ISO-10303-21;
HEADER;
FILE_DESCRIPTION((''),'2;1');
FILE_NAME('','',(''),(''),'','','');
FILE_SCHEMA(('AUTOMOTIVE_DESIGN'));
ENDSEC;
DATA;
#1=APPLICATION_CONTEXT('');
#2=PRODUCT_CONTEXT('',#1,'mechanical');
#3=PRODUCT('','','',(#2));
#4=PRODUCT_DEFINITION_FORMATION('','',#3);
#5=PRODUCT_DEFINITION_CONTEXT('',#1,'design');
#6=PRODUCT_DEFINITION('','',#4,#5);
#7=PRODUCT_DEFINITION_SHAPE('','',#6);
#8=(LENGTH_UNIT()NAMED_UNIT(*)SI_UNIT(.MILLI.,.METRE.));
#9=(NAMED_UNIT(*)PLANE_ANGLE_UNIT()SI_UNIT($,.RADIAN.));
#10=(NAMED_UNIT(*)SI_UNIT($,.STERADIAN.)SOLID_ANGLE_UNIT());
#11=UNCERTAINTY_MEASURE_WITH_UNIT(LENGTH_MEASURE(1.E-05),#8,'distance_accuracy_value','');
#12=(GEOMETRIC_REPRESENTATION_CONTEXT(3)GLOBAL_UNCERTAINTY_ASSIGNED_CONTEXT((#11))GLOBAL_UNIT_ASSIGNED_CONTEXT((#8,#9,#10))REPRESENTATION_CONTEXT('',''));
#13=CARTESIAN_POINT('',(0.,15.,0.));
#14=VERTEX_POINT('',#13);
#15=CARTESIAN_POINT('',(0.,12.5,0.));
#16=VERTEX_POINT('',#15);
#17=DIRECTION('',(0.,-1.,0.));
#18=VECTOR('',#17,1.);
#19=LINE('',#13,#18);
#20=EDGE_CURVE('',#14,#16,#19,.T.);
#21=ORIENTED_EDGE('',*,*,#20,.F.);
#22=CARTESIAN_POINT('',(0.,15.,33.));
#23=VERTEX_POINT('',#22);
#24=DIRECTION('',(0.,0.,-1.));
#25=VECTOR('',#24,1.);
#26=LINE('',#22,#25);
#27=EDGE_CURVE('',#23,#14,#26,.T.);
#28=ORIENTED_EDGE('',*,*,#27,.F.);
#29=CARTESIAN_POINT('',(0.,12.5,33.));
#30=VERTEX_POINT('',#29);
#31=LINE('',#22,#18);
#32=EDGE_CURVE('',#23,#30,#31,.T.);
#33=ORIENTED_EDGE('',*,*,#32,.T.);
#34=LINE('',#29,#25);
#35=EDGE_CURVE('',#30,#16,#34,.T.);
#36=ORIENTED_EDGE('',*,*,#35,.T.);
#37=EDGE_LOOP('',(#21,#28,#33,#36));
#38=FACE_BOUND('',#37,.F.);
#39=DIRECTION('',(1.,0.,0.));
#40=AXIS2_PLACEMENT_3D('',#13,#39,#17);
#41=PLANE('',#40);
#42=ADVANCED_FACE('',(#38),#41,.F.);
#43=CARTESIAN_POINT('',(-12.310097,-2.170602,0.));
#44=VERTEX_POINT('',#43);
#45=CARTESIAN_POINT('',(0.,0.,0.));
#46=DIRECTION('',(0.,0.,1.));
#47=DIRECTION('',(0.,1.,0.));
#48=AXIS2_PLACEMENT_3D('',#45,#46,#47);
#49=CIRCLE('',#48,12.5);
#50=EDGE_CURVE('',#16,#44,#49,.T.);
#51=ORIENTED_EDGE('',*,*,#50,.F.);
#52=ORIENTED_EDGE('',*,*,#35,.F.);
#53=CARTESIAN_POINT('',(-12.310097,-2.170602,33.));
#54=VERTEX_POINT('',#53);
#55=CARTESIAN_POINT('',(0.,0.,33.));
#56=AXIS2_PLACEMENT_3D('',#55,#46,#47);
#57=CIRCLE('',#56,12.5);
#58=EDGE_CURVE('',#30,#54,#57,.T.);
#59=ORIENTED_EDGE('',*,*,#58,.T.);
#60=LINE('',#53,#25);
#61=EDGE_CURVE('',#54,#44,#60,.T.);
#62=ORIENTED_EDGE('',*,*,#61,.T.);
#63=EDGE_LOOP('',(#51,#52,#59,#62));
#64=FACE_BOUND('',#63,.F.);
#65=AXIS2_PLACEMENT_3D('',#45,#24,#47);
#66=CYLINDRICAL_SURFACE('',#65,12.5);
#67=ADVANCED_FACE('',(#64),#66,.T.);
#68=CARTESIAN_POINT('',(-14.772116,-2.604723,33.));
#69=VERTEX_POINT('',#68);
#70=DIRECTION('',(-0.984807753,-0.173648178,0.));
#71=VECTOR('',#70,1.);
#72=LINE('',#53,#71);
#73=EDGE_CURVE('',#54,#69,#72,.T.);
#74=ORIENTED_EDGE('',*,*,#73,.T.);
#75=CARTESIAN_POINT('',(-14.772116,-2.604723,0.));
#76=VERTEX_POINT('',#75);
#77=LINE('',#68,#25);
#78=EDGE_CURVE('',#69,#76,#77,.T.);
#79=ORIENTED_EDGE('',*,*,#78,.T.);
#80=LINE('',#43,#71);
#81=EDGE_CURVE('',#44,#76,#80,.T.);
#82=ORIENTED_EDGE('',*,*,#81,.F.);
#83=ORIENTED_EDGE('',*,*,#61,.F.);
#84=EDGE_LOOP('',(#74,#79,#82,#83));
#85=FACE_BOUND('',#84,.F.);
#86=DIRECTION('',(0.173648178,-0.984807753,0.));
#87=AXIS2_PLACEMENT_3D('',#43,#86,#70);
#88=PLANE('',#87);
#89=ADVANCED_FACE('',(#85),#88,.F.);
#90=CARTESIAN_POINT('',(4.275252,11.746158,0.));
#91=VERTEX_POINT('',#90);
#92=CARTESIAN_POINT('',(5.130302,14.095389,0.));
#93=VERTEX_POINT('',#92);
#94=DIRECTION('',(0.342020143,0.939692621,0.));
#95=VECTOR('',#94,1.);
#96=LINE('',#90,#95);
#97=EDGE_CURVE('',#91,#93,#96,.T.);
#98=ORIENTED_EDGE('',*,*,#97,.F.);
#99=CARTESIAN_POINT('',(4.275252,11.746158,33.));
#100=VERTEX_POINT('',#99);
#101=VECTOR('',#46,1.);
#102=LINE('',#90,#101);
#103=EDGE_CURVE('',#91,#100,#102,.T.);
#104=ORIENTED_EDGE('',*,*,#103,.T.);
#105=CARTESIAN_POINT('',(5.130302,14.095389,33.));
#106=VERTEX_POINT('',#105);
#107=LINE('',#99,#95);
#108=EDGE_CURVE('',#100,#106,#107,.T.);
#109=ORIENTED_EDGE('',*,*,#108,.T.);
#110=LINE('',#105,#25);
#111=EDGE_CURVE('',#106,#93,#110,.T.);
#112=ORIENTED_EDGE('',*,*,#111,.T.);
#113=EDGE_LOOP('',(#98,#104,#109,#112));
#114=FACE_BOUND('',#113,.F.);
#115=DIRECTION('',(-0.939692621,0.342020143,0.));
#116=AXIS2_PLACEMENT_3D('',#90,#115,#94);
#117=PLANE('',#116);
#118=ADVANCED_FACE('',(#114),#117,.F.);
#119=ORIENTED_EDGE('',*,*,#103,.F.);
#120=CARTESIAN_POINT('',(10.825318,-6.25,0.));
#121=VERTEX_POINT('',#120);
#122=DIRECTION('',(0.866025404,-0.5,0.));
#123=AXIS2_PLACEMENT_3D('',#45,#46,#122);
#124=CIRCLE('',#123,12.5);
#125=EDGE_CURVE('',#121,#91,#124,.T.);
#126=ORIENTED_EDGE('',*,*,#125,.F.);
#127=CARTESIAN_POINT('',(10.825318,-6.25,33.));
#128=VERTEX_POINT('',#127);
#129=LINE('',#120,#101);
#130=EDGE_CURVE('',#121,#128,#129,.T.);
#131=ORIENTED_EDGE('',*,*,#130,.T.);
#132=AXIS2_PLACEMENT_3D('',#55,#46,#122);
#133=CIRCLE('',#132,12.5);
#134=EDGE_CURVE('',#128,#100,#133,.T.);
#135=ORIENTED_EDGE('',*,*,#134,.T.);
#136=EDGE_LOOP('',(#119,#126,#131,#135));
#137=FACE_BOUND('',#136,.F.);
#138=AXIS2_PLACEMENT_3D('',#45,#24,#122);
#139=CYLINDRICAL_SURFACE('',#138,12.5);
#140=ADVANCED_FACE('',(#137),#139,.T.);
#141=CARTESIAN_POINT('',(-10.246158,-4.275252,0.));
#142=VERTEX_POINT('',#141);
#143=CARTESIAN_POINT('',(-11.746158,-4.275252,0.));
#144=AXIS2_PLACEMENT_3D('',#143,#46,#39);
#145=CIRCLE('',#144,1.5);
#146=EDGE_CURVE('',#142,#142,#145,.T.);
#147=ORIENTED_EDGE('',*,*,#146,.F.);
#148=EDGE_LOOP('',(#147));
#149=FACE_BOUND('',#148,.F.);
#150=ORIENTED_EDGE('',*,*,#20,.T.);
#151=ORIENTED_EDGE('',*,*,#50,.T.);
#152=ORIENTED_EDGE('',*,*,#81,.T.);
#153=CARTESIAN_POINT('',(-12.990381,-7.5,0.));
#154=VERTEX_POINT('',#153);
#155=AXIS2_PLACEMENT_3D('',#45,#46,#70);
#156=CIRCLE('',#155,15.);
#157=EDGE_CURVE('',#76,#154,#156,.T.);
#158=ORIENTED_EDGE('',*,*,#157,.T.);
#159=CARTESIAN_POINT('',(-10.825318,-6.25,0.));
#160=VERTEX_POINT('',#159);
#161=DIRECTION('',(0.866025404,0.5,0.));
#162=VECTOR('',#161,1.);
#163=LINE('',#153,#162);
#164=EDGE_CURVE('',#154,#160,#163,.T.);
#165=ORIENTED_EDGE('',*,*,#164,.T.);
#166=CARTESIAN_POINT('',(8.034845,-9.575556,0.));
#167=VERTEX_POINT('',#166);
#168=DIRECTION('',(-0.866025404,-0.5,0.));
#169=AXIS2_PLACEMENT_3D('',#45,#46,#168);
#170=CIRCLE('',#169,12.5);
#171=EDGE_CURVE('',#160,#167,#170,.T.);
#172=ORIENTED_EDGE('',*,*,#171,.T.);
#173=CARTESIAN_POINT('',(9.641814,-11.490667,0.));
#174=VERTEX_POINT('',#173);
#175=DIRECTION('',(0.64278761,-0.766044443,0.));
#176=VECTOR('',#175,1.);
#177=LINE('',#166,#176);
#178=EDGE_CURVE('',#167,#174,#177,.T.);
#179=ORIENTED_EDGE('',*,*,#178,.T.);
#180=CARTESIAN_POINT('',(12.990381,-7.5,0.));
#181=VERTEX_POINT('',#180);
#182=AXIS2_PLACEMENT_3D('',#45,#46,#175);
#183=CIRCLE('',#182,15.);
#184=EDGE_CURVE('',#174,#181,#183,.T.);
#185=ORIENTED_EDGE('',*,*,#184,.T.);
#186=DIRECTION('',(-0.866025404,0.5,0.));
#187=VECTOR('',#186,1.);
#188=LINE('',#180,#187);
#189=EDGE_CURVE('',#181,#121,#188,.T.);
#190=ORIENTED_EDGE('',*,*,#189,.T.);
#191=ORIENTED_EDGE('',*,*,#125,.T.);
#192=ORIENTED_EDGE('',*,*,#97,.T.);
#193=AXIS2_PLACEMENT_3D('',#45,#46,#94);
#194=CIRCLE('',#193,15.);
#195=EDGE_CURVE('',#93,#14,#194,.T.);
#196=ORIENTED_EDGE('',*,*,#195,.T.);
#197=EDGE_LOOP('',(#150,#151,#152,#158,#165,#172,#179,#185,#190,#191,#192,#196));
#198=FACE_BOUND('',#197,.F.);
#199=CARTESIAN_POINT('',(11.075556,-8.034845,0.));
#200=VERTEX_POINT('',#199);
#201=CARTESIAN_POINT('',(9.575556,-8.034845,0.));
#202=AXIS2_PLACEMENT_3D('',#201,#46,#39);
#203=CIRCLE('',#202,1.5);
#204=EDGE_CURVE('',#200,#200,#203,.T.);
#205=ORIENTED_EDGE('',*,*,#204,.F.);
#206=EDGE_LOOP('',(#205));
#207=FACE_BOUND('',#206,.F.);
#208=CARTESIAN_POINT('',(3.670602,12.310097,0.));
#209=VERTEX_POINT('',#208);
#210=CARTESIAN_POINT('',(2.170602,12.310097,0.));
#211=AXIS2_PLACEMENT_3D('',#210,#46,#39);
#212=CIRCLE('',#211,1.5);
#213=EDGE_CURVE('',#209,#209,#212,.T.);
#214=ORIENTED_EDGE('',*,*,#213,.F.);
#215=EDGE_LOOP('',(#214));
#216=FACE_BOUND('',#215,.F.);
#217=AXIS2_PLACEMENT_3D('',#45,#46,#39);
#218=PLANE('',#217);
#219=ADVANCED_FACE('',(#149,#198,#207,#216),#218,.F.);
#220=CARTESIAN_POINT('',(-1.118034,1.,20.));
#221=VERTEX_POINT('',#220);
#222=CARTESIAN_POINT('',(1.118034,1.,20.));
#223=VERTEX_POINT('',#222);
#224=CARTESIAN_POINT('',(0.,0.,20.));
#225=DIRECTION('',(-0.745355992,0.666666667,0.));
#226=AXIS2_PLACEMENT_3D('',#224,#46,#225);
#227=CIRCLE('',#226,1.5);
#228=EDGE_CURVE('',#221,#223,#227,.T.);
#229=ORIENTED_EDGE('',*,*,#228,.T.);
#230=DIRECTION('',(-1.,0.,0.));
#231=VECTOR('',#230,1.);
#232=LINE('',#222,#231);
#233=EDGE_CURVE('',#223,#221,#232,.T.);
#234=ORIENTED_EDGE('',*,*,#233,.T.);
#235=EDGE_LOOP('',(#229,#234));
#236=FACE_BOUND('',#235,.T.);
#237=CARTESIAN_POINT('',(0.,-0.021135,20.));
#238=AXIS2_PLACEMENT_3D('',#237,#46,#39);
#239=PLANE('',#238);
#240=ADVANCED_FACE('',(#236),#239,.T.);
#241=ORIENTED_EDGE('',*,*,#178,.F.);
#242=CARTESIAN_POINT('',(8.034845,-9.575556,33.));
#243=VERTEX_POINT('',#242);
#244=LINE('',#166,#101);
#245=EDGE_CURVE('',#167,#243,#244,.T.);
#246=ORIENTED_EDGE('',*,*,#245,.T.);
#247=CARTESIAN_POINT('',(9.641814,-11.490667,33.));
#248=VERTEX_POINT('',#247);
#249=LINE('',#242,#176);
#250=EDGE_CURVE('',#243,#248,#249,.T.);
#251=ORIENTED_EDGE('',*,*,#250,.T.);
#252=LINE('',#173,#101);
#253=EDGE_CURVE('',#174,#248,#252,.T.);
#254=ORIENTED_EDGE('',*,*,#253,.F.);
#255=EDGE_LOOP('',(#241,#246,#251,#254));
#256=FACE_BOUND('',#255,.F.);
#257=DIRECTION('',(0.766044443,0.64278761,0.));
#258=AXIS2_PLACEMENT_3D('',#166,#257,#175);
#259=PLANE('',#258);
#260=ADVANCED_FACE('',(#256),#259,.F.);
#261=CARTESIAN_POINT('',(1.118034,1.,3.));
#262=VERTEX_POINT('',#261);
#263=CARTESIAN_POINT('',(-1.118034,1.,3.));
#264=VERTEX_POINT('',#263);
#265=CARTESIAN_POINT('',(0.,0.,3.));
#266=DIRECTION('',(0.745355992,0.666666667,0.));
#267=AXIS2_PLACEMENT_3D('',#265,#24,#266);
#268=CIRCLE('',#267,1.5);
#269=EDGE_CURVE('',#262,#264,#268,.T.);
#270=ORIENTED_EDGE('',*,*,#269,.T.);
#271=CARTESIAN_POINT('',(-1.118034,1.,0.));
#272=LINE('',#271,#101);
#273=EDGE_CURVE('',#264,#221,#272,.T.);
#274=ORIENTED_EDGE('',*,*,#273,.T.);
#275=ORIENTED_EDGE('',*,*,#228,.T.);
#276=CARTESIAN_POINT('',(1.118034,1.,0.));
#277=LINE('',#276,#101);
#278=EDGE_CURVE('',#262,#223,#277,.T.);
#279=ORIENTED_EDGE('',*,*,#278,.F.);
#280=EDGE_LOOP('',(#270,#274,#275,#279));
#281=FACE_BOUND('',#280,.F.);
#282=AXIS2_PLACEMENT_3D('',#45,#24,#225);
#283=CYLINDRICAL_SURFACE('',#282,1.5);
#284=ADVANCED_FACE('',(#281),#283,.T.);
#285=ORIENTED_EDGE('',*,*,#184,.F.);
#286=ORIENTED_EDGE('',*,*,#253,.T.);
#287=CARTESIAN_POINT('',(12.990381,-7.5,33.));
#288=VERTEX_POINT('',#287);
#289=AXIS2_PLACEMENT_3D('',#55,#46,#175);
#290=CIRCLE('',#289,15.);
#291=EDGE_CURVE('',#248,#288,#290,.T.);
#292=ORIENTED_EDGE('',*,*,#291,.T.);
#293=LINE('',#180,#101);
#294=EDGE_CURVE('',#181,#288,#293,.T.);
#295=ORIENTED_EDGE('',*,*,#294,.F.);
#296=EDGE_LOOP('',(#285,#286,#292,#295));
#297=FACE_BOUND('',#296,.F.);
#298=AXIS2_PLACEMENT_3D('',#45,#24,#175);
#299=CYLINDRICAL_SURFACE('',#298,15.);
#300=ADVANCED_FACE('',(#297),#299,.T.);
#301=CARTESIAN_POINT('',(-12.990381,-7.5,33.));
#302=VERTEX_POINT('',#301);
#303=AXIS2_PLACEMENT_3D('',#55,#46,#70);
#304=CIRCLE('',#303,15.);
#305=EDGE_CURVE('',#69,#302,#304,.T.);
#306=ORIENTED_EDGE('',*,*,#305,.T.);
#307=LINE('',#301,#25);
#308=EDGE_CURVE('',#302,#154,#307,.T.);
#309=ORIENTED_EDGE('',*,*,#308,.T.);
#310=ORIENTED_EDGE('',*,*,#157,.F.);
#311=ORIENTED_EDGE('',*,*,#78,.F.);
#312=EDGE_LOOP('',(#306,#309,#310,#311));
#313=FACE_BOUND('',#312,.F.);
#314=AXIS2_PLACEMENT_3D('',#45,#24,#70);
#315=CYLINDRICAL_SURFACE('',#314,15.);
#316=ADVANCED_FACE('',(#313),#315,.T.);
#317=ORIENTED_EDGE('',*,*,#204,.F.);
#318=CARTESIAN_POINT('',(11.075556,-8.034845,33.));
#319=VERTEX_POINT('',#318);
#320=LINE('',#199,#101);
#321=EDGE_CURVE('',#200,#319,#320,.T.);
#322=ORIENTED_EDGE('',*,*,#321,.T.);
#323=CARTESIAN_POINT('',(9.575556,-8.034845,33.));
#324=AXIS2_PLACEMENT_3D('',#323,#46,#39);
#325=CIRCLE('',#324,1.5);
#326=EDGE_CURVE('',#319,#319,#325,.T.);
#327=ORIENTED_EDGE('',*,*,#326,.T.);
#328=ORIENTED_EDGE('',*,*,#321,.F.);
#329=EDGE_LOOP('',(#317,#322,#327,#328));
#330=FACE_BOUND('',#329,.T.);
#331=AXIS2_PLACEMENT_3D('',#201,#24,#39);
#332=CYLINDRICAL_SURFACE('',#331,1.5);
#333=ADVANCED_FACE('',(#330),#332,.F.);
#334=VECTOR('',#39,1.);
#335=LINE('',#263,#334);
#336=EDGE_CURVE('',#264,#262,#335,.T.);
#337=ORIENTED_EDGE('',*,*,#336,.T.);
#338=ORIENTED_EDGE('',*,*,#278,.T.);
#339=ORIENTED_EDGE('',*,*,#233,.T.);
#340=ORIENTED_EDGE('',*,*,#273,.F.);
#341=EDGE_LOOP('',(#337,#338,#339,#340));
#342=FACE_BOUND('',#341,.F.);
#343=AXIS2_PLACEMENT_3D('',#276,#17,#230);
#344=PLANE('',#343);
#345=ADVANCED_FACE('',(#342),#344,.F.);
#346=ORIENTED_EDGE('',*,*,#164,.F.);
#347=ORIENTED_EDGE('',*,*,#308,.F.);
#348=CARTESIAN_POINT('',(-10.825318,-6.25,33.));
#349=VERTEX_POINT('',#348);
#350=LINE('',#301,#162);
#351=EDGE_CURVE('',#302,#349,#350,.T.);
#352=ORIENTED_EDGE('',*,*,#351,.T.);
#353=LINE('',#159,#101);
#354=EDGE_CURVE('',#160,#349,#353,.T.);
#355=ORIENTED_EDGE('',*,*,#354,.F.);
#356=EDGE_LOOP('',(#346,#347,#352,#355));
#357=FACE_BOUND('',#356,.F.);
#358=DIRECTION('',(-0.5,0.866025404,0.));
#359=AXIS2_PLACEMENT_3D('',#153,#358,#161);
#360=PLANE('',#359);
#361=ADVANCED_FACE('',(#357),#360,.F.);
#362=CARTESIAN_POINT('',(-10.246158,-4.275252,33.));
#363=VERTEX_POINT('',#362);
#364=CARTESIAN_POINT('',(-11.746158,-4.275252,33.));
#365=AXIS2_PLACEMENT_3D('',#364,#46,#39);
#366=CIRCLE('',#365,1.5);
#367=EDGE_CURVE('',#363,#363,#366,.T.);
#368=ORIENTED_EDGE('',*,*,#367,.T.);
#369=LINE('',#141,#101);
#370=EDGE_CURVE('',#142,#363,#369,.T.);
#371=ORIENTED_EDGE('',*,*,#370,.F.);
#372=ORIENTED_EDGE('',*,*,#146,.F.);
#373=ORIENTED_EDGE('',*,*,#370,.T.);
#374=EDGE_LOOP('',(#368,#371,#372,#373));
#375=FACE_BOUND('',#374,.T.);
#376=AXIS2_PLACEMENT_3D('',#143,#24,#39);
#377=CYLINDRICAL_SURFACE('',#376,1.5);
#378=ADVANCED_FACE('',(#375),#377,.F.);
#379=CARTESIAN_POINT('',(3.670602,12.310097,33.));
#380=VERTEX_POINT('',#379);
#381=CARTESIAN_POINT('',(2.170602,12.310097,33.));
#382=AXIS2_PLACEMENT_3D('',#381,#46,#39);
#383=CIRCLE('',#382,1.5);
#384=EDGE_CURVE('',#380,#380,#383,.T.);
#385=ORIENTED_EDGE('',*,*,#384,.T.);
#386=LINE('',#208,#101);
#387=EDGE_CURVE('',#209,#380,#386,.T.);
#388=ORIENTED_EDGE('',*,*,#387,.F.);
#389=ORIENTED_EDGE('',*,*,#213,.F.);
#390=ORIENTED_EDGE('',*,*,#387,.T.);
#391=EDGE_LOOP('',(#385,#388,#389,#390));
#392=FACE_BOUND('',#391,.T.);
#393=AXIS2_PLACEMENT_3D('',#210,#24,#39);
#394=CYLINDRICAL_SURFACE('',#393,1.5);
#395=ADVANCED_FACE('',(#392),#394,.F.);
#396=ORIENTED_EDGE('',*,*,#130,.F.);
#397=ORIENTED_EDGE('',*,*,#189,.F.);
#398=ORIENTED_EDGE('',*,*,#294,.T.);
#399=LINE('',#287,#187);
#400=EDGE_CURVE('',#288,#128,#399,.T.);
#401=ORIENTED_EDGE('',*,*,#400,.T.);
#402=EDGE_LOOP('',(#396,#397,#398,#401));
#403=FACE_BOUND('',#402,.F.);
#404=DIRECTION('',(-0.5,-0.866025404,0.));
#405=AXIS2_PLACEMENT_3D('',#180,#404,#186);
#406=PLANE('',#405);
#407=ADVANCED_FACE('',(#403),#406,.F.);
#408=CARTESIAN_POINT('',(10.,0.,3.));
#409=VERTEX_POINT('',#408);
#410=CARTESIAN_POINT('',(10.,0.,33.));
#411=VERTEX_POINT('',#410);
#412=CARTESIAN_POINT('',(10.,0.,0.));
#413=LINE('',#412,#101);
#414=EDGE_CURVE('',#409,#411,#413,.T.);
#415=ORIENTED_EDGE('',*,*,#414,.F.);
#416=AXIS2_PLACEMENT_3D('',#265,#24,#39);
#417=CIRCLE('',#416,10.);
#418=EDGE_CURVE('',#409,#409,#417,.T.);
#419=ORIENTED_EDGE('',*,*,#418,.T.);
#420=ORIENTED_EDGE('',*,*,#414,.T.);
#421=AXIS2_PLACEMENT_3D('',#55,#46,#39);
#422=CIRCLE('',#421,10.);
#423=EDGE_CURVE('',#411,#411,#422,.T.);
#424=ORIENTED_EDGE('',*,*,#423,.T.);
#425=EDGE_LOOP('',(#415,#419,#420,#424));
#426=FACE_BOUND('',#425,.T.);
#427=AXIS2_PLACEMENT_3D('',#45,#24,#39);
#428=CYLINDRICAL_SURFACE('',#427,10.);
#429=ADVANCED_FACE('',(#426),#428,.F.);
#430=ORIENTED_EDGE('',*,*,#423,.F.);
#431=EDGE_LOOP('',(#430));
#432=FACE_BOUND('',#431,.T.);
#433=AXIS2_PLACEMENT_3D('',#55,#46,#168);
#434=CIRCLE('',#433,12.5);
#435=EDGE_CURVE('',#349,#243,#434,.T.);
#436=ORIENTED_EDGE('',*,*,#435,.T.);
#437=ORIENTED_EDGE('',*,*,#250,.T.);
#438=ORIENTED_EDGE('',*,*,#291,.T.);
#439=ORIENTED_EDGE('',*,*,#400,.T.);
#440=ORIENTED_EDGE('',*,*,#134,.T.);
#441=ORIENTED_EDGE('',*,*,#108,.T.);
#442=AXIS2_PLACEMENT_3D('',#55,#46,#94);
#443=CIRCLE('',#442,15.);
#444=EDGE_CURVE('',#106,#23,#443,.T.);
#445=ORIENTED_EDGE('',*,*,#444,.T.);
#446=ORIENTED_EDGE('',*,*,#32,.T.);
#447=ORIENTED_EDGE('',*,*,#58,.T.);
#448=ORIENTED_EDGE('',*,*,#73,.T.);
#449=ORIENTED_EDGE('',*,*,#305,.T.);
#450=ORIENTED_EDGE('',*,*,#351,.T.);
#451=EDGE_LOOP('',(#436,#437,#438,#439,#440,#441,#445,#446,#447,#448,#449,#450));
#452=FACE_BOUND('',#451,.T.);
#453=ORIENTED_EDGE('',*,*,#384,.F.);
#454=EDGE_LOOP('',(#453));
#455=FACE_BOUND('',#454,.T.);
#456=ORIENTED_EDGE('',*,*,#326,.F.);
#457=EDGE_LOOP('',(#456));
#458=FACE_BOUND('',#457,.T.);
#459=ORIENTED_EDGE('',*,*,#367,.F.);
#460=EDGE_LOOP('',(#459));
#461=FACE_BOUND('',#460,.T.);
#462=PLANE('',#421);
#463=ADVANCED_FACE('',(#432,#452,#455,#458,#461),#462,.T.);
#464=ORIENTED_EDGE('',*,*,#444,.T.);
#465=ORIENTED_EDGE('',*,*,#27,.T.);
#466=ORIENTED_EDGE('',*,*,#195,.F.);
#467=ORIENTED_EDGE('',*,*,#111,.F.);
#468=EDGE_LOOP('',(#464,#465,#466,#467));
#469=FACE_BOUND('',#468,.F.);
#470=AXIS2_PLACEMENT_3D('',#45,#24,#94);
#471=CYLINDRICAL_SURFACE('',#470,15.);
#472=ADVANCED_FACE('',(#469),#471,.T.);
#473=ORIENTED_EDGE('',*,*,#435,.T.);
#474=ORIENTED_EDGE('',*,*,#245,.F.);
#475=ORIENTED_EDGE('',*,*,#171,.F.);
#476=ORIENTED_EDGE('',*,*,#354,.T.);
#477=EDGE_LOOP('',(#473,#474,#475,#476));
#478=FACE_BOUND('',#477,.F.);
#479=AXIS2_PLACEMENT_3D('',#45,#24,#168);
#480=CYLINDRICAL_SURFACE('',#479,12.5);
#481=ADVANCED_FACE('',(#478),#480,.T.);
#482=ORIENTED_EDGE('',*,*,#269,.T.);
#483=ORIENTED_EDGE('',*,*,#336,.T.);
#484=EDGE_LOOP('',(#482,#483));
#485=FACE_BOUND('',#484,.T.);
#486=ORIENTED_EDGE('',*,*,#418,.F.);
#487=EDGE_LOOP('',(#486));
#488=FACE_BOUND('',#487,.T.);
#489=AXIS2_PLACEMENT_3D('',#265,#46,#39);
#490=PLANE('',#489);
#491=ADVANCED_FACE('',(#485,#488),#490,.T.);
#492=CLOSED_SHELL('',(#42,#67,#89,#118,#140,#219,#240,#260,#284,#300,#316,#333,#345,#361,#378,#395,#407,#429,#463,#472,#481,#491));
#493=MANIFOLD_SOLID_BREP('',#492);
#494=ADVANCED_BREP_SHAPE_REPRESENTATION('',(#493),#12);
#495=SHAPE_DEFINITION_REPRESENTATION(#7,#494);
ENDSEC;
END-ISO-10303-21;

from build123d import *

# Parameters (mm, degrees)
F0_R     = 1.5
F0_R_2   = 10
F1_DEPTH = 3
F2_DEPTH = 33
F3_DEPTH = 20


with BuildPart() as f1:
    # F0 (on Top) → F1 (new body)
    with BuildSketch(Plane.XY):
        with BuildLine():
            Line((-12.9903810568, -7.5), (-10.8253175473, -6.25))
            ThreePointArc((-10.8253175473, -6.25), (-2.1706022208, -12.3100969127), (8.0348451211, -9.575555539))
            Line((8.0348451211, -9.575555539), (9.6418141453, -11.4906666468))
            ThreePointArc((9.6418141453, -11.4906666468), (11.4906666468, -9.6418141453), (12.9903810568, -7.5))
            Line((12.9903810568, -7.5), (10.8253175473, -6.25))
            ThreePointArc((10.8253175473, -6.25), (11.7461577598, 4.2752517916), (4.2752517916, 11.7461577598))
            Line((4.2752517916, 11.7461577598), (5.1303021499, 14.0953893118))
            ThreePointArc((5.1303021499, 14.0953893118), (2.604722665, 14.7721162952), (0, 15))
            Line((0, 15), (0, 12.5))
            ThreePointArc((0, 12.5), (-9.575555539, 8.0348451211), (-12.3100969127, -2.1706022208))
            Line((-12.3100969127, -2.1706022208), (-14.7721162952, -2.604722665))
            ThreePointArc((-14.7721162952, -2.604722665), (-14.0953893118, -5.1303021499), (-12.9903810568, -7.5))
        make_face()
        with Locations((-11.7461577598, -4.2752517916)):
            Circle(F0_R, mode=Mode.SUBTRACT)
        with Locations((9.575555539, -8.0348451211)):
            Circle(F0_R, mode=Mode.SUBTRACT)
        Circle(F0_R_2, mode=Mode.SUBTRACT)
        with Locations((2.1706022208, 12.3100969127)):
            Circle(F0_R, mode=Mode.SUBTRACT)
        Circle(F0_R_2)
        with BuildLine():
            ThreePointArc((1.1180339887, 1), (0, -1.5), (-1.1180339887, 1))
            Line((-1.1180339887, 1), (1.1180339887, 1))
        make_face(mode=Mode.SUBTRACT)
    extrude(amount=F1_DEPTH)

    # F0 (on Top) → F2 (join)
    with BuildSketch(Plane.XY):
        with BuildLine():
            Line((-12.9903810568, -7.5), (-10.8253175473, -6.25))
            ThreePointArc((-10.8253175473, -6.25), (-2.1706022208, -12.3100969127), (8.0348451211, -9.575555539))
            Line((8.0348451211, -9.575555539), (9.6418141453, -11.4906666468))
            ThreePointArc((9.6418141453, -11.4906666468), (11.4906666468, -9.6418141453), (12.9903810568, -7.5))
            Line((12.9903810568, -7.5), (10.8253175473, -6.25))
            ThreePointArc((10.8253175473, -6.25), (11.7461577598, 4.2752517916), (4.2752517916, 11.7461577598))
            Line((4.2752517916, 11.7461577598), (5.1303021499, 14.0953893118))
            ThreePointArc((5.1303021499, 14.0953893118), (2.604722665, 14.7721162952), (0, 15))
            Line((0, 15), (0, 12.5))
            ThreePointArc((0, 12.5), (-9.575555539, 8.0348451211), (-12.3100969127, -2.1706022208))
            Line((-12.3100969127, -2.1706022208), (-14.7721162952, -2.604722665))
            ThreePointArc((-14.7721162952, -2.604722665), (-14.0953893118, -5.1303021499), (-12.9903810568, -7.5))
        make_face()
        with Locations((-11.7461577598, -4.2752517916)):
            Circle(F0_R, mode=Mode.SUBTRACT)
        with Locations((9.575555539, -8.0348451211)):
            Circle(F0_R, mode=Mode.SUBTRACT)
        Circle(F0_R_2, mode=Mode.SUBTRACT)
        with Locations((2.1706022208, 12.3100969127)):
            Circle(F0_R, mode=Mode.SUBTRACT)
    extrude(amount=F2_DEPTH)

    # F0 (on Top) → F3 (join)
    with BuildSketch(Plane.XY):
        with BuildLine():
            Line((1.1180339887, 1), (-1.1180339887, 1))
            ThreePointArc((-1.1180339887, 1), (0, -1.5), (1.1180339887, 1))
        make_face()
    extrude(amount=F3_DEPTH)


solid = f1.part
